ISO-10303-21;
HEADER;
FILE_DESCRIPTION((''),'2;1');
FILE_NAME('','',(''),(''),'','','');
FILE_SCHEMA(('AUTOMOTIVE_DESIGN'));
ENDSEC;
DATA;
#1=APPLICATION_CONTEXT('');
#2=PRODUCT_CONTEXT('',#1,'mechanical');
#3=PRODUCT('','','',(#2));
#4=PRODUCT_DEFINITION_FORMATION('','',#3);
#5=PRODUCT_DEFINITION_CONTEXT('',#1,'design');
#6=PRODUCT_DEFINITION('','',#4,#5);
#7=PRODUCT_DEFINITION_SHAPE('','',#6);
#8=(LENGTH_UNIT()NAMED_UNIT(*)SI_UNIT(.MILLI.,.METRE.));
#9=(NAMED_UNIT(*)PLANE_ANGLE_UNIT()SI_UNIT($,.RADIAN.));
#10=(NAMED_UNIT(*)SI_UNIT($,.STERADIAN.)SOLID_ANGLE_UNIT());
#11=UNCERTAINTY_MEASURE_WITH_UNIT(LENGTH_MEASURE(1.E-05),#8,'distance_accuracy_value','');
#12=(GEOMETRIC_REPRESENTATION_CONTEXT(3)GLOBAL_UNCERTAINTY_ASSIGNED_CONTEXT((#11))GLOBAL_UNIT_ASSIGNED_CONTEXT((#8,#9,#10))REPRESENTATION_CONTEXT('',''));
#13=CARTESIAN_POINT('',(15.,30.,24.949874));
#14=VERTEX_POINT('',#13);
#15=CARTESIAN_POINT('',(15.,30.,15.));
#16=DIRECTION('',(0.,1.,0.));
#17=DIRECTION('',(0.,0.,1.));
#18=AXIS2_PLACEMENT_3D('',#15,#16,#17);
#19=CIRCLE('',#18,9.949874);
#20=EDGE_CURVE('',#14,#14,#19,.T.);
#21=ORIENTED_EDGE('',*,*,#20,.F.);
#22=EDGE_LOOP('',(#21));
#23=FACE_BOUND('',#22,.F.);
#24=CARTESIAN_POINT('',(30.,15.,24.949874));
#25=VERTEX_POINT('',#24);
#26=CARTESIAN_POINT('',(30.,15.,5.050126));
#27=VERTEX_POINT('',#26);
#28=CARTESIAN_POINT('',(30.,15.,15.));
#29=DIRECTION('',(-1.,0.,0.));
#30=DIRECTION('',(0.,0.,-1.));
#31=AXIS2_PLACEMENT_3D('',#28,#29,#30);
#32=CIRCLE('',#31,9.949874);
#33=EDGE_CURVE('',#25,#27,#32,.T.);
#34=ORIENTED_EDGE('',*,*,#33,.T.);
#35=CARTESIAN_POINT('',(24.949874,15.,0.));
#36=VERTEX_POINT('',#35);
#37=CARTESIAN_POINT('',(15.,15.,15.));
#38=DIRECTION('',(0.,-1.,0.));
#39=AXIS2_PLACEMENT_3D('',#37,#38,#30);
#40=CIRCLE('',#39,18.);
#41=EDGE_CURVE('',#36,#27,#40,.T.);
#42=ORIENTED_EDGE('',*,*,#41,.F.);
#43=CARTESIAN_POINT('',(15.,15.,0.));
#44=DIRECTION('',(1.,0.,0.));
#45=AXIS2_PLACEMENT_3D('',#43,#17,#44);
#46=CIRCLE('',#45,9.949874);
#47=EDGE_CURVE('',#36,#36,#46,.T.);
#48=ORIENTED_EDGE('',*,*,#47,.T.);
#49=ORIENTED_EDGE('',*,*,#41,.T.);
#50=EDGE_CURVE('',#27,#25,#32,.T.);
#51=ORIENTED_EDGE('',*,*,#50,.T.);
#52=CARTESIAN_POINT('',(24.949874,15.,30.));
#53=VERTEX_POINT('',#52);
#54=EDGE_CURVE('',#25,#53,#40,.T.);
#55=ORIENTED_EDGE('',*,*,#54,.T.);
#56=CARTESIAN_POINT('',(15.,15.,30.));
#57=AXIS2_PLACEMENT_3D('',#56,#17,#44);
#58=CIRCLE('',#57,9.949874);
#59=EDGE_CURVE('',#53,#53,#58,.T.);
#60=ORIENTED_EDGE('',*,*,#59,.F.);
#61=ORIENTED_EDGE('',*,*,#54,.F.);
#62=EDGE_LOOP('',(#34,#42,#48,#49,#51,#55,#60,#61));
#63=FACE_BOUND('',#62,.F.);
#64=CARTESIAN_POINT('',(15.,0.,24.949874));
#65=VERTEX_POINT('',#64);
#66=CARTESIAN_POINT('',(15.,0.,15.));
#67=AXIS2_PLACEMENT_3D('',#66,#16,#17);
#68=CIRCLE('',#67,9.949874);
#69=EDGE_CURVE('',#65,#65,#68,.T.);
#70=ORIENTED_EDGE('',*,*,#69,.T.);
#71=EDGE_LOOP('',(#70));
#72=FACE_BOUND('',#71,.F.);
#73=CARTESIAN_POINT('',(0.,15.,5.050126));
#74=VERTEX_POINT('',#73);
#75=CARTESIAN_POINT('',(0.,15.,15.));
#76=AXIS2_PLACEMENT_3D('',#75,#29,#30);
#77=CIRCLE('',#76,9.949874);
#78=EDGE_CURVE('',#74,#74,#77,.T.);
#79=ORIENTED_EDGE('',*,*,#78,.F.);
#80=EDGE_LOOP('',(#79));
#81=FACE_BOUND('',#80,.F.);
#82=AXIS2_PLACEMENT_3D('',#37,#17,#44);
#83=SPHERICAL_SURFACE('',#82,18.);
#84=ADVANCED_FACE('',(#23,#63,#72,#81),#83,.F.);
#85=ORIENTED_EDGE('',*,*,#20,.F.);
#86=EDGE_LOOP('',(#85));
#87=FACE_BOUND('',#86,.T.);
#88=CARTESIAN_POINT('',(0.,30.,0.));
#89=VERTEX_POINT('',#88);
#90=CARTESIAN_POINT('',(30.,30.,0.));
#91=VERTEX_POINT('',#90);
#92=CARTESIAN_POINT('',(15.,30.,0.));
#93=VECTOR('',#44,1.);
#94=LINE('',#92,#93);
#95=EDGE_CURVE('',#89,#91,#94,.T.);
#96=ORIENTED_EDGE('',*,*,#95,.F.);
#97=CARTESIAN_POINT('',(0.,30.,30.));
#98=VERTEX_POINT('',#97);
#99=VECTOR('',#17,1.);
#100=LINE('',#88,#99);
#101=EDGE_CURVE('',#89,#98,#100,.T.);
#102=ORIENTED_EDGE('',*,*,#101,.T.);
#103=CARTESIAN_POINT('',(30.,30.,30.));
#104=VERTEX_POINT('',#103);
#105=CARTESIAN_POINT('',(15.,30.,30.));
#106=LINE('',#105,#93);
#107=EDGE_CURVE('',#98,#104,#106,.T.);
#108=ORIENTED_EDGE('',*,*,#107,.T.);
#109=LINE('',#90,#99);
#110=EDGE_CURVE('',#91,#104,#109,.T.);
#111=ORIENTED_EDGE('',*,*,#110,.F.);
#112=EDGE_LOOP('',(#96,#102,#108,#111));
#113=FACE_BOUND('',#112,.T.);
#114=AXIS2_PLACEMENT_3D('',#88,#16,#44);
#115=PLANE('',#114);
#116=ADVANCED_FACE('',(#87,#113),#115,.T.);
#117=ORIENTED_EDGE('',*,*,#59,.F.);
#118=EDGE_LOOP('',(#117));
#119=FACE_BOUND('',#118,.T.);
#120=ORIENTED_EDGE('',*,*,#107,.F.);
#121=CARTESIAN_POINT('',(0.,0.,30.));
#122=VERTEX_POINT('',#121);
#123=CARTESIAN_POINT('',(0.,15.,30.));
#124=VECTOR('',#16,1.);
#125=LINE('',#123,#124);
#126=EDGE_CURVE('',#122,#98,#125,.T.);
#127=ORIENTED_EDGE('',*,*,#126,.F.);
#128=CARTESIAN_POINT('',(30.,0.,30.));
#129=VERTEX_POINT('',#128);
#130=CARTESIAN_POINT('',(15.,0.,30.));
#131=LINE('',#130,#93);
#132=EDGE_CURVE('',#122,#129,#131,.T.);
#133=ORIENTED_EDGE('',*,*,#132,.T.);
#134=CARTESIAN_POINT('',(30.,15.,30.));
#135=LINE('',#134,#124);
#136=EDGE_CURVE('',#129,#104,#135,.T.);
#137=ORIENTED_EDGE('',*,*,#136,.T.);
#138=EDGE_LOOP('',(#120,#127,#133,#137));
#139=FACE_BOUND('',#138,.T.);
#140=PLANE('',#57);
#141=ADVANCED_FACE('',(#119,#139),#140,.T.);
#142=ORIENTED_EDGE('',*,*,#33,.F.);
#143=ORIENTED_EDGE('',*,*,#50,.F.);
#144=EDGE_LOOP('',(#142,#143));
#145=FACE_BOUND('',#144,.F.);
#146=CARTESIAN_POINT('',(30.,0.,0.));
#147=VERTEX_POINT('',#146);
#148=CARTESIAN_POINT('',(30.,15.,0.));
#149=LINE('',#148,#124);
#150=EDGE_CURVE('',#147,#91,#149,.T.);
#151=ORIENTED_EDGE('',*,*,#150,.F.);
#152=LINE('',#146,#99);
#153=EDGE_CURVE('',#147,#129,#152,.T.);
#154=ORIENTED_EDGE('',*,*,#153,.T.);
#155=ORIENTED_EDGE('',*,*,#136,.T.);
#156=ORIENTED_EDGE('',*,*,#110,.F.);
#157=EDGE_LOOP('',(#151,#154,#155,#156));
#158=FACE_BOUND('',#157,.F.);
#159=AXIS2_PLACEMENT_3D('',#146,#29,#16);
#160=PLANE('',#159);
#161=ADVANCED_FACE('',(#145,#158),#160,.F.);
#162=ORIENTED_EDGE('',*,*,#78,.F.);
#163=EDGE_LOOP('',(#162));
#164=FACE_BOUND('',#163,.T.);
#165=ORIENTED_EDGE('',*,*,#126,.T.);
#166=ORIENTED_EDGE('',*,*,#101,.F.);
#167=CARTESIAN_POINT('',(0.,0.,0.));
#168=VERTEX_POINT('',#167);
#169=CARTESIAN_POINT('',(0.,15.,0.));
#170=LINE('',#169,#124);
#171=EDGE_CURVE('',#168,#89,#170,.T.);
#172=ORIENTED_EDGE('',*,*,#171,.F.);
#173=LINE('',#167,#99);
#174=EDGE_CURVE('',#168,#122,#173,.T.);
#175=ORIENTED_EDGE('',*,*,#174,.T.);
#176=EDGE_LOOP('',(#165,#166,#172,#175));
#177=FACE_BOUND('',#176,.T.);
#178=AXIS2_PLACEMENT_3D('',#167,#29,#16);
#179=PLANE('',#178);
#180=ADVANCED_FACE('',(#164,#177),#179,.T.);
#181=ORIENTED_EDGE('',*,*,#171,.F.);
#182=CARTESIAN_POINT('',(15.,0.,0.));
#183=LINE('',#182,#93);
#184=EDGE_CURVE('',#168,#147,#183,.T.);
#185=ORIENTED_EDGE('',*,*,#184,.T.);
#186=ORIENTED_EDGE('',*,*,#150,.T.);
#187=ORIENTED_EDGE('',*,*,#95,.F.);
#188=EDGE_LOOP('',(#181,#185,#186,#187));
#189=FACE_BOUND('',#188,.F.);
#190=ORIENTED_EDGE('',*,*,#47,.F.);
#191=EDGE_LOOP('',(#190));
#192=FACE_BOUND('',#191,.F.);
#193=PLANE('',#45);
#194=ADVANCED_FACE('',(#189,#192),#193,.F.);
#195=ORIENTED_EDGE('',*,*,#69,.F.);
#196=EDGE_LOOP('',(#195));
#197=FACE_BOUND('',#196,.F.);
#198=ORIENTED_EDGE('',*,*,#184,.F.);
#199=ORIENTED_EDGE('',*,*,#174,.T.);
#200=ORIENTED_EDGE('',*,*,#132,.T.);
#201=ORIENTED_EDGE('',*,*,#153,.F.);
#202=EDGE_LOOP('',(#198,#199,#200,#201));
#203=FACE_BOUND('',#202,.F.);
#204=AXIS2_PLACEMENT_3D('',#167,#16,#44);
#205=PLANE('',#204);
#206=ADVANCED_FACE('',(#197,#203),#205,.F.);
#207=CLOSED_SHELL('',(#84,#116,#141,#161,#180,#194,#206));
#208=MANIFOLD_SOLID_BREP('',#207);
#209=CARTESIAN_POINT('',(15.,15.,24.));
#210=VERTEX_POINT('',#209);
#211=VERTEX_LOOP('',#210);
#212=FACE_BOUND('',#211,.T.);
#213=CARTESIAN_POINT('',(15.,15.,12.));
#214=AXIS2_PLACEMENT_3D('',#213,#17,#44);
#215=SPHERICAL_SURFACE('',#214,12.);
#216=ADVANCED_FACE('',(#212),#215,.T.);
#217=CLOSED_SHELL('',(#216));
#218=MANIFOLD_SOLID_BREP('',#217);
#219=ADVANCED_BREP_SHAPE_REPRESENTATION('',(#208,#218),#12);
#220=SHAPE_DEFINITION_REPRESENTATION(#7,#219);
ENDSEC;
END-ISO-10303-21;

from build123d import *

# Parameters (mm, degrees)
BOX_W     = 30
BOX_H     = 30
BOX_DEPTH = 30


with BuildPart() as esfera_interior:
    # Sphere001 → Sphere001 (revolve)
    with BuildSketch(Plane(origin=(15, 15, 12), x_dir=(1, 0, 0), z_dir=(0, -1, 0))):
        with BuildLine():
            ThreePointArc((0, -12), (12, 0), (0, 12))
            Line((0, 12), (0, -12))
        make_face()
    revolve(axis=Axis((15, 15, 12), (0, 0, 1)))


with BuildPart() as esfera:
    # Sphere → Sphere (revolve)
    with BuildSketch(Plane(origin=(15, 15, 15), x_dir=(1, 0, 0), z_dir=(0, -1, 0))):
        with BuildLine():
            ThreePointArc((0, -18), (18, 0), (0, 18))
            Line((0, 18), (0, -18))
        make_face()
    revolve(axis=Axis((15, 15, 15), (0, 0, 1)))


with BuildPart() as quadrat_amb_esfera_interior:
    # Box → Box (new body)
    with BuildSketch(Plane.XY):
        with Locations((15, 15)):
            Rectangle(BOX_W, BOX_H)
    extrude(amount=BOX_DEPTH)

    # Cut: cut Esfera
    add(esfera.part, mode=Mode.SUBTRACT)

    # Fusion: union Esfera_interior
    add(esfera_interior.part)


solid = quadrat_amb_esfera_interior.part
